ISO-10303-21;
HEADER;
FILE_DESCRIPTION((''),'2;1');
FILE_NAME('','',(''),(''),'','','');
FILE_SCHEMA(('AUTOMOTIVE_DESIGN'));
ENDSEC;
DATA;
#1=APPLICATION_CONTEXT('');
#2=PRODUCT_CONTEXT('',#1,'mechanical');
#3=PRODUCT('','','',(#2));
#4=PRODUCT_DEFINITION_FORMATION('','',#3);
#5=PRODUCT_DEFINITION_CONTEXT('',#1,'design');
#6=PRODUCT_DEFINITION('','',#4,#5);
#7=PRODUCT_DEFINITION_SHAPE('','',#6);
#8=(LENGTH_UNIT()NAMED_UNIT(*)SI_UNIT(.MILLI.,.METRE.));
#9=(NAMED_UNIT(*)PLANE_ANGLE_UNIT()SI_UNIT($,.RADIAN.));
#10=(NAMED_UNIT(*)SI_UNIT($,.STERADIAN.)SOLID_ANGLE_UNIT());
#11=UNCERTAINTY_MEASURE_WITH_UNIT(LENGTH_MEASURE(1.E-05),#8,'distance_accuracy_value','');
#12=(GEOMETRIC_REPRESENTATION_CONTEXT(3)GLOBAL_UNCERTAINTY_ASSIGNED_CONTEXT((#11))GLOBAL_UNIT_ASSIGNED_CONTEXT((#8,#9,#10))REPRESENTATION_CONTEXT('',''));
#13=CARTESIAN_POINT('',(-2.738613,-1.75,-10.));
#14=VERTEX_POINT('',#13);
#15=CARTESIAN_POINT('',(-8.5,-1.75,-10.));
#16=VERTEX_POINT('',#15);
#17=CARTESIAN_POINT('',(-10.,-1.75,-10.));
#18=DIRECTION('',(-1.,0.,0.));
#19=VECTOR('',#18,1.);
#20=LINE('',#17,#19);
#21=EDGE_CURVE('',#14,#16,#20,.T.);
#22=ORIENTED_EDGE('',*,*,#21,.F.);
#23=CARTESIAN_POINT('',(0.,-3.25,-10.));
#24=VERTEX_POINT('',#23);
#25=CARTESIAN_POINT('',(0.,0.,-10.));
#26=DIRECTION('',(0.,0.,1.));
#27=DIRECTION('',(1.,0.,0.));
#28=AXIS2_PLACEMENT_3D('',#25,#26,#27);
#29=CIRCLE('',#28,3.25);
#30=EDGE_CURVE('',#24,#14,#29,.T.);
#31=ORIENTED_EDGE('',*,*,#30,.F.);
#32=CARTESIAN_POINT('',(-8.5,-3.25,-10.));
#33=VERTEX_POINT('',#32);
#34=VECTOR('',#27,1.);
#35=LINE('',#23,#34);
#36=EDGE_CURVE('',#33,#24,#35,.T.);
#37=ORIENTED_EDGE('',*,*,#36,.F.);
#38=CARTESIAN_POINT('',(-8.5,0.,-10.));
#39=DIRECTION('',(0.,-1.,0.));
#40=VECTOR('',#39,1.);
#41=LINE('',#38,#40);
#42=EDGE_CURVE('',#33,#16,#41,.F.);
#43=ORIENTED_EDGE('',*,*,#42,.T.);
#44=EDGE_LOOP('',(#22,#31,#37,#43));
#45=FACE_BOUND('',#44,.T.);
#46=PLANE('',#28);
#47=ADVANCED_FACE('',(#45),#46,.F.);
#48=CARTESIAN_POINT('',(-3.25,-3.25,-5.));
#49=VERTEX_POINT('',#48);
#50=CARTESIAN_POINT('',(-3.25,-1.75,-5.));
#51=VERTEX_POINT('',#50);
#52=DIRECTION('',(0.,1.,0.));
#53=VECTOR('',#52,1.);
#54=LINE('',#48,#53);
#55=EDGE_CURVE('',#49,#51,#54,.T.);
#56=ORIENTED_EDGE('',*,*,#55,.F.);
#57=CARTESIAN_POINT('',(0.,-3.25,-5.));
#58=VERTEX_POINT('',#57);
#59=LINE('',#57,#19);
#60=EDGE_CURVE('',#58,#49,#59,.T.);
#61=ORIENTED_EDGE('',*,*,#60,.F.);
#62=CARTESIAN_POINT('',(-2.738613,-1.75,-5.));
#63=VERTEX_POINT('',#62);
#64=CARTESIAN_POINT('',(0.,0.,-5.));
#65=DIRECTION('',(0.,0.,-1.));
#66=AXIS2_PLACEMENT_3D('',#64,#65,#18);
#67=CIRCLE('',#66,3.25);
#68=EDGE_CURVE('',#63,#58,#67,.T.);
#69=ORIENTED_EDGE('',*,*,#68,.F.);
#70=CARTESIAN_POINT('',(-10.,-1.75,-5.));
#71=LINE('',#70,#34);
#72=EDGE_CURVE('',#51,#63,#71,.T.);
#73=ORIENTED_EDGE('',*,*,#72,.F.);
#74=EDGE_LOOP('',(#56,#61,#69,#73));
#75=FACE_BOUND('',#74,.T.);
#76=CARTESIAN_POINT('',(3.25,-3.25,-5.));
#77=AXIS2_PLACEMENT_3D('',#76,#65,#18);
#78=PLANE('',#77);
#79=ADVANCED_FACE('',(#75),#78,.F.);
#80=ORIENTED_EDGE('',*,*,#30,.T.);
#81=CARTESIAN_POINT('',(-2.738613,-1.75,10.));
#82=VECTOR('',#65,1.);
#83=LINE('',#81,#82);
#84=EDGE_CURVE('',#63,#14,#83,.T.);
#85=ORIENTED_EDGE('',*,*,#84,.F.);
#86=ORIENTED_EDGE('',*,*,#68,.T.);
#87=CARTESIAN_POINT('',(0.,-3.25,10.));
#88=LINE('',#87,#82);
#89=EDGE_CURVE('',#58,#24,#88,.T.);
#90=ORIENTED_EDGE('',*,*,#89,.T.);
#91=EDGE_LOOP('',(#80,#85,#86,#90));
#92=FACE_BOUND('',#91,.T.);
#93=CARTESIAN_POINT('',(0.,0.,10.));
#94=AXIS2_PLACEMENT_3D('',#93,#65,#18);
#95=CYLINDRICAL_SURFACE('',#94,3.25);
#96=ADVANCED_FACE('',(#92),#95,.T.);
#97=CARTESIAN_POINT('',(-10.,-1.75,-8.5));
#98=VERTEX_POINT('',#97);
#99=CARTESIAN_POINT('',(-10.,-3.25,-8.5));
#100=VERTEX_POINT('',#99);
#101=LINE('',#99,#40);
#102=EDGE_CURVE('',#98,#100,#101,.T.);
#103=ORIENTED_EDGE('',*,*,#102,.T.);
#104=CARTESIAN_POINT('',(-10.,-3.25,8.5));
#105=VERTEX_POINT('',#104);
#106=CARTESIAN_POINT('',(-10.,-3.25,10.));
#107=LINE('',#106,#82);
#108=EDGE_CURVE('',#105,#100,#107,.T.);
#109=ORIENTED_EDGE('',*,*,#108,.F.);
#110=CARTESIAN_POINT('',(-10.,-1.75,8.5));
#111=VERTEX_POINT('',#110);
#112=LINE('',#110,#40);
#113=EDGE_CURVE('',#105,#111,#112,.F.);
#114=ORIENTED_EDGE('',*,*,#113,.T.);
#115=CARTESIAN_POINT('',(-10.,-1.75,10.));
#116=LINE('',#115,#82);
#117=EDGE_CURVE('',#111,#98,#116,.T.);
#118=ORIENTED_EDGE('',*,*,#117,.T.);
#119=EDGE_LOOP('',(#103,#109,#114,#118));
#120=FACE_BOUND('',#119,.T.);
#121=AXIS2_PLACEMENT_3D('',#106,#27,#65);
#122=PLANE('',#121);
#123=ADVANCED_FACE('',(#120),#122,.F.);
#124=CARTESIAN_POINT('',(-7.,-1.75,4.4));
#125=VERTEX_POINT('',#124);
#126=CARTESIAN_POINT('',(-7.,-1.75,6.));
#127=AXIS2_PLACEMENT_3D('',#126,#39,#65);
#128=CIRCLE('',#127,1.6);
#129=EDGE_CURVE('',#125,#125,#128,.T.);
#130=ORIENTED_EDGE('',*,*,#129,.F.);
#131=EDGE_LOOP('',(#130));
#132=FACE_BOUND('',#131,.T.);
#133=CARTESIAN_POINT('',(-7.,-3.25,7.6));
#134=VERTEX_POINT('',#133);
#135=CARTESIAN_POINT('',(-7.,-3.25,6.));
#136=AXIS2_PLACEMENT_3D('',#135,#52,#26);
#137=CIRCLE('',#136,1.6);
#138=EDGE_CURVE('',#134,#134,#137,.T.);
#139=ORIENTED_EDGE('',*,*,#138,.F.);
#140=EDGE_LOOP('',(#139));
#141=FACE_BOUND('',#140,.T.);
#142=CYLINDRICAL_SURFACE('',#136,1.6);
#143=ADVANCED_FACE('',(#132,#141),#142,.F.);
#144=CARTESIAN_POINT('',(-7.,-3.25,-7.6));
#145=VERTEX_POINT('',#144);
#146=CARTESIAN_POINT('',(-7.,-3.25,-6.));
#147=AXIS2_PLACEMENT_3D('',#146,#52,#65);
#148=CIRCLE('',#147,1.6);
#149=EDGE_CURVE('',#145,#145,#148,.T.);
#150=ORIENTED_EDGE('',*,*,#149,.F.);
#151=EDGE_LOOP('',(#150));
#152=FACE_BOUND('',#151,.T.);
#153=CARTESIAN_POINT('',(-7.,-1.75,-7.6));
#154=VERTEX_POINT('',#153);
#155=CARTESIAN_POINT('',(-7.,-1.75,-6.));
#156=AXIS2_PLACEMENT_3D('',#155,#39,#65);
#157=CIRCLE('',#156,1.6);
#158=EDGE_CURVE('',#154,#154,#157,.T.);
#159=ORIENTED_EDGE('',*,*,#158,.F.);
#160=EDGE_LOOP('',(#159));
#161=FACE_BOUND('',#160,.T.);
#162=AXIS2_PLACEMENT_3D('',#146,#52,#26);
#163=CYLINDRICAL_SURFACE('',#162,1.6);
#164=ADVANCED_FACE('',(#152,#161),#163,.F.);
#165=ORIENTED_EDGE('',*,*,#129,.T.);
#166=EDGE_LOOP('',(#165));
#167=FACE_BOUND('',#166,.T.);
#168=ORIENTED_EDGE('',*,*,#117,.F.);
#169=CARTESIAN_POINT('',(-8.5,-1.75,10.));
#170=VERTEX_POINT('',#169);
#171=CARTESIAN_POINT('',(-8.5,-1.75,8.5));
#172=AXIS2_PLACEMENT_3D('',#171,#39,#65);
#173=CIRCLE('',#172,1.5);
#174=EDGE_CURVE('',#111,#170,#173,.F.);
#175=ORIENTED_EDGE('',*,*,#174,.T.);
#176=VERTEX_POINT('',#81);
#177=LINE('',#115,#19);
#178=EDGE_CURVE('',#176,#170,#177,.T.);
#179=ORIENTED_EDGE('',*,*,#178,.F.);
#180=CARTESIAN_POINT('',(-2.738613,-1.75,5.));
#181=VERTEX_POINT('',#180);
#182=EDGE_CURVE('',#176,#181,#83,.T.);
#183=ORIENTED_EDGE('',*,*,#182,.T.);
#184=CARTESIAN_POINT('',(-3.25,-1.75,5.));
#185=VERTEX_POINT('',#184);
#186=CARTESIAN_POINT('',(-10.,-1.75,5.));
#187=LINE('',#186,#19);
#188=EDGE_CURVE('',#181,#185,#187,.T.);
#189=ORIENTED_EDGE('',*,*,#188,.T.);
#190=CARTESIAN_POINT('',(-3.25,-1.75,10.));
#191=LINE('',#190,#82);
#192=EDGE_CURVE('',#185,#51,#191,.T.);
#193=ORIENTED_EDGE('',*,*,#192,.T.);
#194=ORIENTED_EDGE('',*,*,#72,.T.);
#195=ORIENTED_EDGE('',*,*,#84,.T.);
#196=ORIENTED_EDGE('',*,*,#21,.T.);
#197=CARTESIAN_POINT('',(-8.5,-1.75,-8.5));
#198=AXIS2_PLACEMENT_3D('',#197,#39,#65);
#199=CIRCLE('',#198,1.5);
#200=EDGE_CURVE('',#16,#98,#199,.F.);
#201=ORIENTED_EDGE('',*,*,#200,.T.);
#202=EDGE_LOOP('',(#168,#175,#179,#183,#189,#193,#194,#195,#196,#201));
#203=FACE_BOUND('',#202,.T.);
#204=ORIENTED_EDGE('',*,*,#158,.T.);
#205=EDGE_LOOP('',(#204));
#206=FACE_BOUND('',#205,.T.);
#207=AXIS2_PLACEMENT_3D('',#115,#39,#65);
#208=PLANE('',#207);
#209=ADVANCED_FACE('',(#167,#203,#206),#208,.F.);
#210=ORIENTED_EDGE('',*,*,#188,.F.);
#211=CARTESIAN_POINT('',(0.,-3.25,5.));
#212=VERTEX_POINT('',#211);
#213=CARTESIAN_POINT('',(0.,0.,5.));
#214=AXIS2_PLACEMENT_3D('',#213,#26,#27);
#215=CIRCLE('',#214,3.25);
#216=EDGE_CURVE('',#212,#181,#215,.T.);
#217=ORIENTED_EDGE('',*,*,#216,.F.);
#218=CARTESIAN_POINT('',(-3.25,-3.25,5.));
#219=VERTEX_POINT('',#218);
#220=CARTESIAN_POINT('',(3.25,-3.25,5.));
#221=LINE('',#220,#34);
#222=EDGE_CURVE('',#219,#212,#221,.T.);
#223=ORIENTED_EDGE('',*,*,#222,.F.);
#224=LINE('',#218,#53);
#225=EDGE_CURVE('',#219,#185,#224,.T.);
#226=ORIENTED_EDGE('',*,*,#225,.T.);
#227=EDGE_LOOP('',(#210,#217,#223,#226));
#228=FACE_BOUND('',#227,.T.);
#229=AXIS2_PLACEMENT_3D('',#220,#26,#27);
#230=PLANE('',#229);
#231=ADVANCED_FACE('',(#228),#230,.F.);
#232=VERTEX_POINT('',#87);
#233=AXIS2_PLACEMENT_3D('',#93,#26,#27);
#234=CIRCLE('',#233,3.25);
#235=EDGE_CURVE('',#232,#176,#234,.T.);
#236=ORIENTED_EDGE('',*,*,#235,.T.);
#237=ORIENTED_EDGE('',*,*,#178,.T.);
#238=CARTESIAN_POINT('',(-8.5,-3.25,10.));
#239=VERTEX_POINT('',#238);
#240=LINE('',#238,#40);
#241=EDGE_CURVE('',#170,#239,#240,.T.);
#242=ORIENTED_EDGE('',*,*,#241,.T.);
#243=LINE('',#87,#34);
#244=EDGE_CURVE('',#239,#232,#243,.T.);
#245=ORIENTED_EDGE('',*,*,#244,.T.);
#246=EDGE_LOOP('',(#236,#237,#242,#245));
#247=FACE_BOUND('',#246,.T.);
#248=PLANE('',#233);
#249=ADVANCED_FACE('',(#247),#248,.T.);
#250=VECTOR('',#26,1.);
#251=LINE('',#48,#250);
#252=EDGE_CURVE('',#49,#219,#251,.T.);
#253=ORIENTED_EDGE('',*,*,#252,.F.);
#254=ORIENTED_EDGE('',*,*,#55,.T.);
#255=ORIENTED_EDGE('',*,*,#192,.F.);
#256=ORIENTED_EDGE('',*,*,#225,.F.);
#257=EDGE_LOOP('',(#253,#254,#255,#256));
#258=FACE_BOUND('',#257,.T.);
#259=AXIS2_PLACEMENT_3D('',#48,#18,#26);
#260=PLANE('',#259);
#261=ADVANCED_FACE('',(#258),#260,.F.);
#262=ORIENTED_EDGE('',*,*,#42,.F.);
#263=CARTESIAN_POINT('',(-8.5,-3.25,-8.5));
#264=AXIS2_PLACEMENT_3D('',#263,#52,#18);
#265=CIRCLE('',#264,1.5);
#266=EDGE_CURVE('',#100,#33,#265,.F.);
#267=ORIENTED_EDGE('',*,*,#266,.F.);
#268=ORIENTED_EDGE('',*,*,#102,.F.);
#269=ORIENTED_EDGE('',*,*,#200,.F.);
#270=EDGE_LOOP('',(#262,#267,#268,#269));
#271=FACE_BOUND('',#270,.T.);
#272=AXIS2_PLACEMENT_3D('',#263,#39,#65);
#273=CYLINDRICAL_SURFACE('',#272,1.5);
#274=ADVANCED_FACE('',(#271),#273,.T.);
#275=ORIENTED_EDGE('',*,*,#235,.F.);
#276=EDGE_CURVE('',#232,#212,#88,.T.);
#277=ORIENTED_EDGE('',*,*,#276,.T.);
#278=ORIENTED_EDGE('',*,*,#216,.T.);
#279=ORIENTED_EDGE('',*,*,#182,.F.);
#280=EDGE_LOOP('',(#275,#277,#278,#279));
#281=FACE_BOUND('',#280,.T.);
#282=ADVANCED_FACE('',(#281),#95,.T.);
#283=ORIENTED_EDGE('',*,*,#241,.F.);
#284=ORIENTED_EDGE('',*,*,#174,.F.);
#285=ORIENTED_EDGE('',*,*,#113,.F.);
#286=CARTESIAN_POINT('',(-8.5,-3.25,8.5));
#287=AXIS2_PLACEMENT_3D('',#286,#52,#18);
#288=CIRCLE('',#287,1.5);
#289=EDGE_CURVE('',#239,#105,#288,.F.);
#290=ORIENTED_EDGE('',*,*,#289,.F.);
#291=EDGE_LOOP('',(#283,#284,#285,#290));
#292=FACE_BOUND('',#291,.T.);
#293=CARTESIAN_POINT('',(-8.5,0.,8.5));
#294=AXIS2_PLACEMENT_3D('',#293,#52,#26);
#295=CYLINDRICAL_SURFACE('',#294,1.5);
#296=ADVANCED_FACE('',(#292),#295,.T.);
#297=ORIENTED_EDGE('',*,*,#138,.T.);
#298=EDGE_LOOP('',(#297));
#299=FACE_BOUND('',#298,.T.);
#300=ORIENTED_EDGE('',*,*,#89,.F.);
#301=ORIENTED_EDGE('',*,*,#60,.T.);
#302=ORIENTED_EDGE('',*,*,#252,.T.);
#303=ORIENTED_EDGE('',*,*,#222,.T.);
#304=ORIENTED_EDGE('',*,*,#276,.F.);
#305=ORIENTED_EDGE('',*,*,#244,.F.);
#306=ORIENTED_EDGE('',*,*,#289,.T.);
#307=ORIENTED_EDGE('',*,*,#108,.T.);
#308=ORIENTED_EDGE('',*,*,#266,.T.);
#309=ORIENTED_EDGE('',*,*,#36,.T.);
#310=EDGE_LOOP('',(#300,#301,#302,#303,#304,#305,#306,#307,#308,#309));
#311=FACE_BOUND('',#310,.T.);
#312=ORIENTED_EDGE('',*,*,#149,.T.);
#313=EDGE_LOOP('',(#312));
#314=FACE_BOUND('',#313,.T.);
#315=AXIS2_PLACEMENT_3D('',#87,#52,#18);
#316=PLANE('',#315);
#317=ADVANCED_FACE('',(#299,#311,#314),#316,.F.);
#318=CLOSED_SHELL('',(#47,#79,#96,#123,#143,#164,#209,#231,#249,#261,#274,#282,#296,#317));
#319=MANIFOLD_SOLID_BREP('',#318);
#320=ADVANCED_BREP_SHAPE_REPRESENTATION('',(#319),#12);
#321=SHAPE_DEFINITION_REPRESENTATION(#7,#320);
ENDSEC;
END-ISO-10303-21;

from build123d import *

# Parameters (mm, degrees)
EXTRUDE_1_DEPTH          = 10
CUT_EXTRUDE_1_DEPTH      = 16
CUT_EXTRUDE_1_DEPTH_BACK = 16
SKETCH_2_R               = 1.6
SKETCH_2_W               = 6.5
SKETCH_2_H               = 10
FILLET_1_R               = 1.5


with BuildPart() as part:
    # 草图1 → 凸台-拉伸1 (new, symmetric)
    with BuildSketch(Plane.XY):
        with BuildLine():
            Line((0, -3.25), (-10, -3.25))
            Line((-10, -3.25), (-10, -1.75))
            Line((-10, -1.75), (-2.738612788, -1.75))
            ThreePointArc((-2.738612788, -1.75), (1.5612495, 2.850438563), (0, -3.25))
        make_face()
    extrude(amount=EXTRUDE_1_DEPTH, both=True)

    # 草图2 → 切除-拉伸1 (cut, two sides: drawn at the far end of the back side and taken through both)
    with BuildSketch(Plane(origin=(0, -1.75, 0), x_dir=(1, 0, 0), z_dir=(0, 1, 0)).offset(-CUT_EXTRUDE_1_DEPTH_BACK)):
        with Locations(Location((-7, -6, 0), (0, 0, 270))):
            Circle(SKETCH_2_R)
        with Locations(Location((-7, 6, 0), (0, 0, 90))):
            Circle(SKETCH_2_R)
        Rectangle(SKETCH_2_W, SKETCH_2_H)
    extrude(amount=CUT_EXTRUDE_1_DEPTH + CUT_EXTRUDE_1_DEPTH_BACK, mode=Mode.SUBTRACT)

    # 圆角1
    fillet_1_edges = [part.edges().sort_by_distance(p)[0] for p in [
        (-10, -2.5, 10),
        (-10, -2.5, -10),
    ]]
    fillet(fillet_1_edges, radius=FILLET_1_R)


solid = part.part
